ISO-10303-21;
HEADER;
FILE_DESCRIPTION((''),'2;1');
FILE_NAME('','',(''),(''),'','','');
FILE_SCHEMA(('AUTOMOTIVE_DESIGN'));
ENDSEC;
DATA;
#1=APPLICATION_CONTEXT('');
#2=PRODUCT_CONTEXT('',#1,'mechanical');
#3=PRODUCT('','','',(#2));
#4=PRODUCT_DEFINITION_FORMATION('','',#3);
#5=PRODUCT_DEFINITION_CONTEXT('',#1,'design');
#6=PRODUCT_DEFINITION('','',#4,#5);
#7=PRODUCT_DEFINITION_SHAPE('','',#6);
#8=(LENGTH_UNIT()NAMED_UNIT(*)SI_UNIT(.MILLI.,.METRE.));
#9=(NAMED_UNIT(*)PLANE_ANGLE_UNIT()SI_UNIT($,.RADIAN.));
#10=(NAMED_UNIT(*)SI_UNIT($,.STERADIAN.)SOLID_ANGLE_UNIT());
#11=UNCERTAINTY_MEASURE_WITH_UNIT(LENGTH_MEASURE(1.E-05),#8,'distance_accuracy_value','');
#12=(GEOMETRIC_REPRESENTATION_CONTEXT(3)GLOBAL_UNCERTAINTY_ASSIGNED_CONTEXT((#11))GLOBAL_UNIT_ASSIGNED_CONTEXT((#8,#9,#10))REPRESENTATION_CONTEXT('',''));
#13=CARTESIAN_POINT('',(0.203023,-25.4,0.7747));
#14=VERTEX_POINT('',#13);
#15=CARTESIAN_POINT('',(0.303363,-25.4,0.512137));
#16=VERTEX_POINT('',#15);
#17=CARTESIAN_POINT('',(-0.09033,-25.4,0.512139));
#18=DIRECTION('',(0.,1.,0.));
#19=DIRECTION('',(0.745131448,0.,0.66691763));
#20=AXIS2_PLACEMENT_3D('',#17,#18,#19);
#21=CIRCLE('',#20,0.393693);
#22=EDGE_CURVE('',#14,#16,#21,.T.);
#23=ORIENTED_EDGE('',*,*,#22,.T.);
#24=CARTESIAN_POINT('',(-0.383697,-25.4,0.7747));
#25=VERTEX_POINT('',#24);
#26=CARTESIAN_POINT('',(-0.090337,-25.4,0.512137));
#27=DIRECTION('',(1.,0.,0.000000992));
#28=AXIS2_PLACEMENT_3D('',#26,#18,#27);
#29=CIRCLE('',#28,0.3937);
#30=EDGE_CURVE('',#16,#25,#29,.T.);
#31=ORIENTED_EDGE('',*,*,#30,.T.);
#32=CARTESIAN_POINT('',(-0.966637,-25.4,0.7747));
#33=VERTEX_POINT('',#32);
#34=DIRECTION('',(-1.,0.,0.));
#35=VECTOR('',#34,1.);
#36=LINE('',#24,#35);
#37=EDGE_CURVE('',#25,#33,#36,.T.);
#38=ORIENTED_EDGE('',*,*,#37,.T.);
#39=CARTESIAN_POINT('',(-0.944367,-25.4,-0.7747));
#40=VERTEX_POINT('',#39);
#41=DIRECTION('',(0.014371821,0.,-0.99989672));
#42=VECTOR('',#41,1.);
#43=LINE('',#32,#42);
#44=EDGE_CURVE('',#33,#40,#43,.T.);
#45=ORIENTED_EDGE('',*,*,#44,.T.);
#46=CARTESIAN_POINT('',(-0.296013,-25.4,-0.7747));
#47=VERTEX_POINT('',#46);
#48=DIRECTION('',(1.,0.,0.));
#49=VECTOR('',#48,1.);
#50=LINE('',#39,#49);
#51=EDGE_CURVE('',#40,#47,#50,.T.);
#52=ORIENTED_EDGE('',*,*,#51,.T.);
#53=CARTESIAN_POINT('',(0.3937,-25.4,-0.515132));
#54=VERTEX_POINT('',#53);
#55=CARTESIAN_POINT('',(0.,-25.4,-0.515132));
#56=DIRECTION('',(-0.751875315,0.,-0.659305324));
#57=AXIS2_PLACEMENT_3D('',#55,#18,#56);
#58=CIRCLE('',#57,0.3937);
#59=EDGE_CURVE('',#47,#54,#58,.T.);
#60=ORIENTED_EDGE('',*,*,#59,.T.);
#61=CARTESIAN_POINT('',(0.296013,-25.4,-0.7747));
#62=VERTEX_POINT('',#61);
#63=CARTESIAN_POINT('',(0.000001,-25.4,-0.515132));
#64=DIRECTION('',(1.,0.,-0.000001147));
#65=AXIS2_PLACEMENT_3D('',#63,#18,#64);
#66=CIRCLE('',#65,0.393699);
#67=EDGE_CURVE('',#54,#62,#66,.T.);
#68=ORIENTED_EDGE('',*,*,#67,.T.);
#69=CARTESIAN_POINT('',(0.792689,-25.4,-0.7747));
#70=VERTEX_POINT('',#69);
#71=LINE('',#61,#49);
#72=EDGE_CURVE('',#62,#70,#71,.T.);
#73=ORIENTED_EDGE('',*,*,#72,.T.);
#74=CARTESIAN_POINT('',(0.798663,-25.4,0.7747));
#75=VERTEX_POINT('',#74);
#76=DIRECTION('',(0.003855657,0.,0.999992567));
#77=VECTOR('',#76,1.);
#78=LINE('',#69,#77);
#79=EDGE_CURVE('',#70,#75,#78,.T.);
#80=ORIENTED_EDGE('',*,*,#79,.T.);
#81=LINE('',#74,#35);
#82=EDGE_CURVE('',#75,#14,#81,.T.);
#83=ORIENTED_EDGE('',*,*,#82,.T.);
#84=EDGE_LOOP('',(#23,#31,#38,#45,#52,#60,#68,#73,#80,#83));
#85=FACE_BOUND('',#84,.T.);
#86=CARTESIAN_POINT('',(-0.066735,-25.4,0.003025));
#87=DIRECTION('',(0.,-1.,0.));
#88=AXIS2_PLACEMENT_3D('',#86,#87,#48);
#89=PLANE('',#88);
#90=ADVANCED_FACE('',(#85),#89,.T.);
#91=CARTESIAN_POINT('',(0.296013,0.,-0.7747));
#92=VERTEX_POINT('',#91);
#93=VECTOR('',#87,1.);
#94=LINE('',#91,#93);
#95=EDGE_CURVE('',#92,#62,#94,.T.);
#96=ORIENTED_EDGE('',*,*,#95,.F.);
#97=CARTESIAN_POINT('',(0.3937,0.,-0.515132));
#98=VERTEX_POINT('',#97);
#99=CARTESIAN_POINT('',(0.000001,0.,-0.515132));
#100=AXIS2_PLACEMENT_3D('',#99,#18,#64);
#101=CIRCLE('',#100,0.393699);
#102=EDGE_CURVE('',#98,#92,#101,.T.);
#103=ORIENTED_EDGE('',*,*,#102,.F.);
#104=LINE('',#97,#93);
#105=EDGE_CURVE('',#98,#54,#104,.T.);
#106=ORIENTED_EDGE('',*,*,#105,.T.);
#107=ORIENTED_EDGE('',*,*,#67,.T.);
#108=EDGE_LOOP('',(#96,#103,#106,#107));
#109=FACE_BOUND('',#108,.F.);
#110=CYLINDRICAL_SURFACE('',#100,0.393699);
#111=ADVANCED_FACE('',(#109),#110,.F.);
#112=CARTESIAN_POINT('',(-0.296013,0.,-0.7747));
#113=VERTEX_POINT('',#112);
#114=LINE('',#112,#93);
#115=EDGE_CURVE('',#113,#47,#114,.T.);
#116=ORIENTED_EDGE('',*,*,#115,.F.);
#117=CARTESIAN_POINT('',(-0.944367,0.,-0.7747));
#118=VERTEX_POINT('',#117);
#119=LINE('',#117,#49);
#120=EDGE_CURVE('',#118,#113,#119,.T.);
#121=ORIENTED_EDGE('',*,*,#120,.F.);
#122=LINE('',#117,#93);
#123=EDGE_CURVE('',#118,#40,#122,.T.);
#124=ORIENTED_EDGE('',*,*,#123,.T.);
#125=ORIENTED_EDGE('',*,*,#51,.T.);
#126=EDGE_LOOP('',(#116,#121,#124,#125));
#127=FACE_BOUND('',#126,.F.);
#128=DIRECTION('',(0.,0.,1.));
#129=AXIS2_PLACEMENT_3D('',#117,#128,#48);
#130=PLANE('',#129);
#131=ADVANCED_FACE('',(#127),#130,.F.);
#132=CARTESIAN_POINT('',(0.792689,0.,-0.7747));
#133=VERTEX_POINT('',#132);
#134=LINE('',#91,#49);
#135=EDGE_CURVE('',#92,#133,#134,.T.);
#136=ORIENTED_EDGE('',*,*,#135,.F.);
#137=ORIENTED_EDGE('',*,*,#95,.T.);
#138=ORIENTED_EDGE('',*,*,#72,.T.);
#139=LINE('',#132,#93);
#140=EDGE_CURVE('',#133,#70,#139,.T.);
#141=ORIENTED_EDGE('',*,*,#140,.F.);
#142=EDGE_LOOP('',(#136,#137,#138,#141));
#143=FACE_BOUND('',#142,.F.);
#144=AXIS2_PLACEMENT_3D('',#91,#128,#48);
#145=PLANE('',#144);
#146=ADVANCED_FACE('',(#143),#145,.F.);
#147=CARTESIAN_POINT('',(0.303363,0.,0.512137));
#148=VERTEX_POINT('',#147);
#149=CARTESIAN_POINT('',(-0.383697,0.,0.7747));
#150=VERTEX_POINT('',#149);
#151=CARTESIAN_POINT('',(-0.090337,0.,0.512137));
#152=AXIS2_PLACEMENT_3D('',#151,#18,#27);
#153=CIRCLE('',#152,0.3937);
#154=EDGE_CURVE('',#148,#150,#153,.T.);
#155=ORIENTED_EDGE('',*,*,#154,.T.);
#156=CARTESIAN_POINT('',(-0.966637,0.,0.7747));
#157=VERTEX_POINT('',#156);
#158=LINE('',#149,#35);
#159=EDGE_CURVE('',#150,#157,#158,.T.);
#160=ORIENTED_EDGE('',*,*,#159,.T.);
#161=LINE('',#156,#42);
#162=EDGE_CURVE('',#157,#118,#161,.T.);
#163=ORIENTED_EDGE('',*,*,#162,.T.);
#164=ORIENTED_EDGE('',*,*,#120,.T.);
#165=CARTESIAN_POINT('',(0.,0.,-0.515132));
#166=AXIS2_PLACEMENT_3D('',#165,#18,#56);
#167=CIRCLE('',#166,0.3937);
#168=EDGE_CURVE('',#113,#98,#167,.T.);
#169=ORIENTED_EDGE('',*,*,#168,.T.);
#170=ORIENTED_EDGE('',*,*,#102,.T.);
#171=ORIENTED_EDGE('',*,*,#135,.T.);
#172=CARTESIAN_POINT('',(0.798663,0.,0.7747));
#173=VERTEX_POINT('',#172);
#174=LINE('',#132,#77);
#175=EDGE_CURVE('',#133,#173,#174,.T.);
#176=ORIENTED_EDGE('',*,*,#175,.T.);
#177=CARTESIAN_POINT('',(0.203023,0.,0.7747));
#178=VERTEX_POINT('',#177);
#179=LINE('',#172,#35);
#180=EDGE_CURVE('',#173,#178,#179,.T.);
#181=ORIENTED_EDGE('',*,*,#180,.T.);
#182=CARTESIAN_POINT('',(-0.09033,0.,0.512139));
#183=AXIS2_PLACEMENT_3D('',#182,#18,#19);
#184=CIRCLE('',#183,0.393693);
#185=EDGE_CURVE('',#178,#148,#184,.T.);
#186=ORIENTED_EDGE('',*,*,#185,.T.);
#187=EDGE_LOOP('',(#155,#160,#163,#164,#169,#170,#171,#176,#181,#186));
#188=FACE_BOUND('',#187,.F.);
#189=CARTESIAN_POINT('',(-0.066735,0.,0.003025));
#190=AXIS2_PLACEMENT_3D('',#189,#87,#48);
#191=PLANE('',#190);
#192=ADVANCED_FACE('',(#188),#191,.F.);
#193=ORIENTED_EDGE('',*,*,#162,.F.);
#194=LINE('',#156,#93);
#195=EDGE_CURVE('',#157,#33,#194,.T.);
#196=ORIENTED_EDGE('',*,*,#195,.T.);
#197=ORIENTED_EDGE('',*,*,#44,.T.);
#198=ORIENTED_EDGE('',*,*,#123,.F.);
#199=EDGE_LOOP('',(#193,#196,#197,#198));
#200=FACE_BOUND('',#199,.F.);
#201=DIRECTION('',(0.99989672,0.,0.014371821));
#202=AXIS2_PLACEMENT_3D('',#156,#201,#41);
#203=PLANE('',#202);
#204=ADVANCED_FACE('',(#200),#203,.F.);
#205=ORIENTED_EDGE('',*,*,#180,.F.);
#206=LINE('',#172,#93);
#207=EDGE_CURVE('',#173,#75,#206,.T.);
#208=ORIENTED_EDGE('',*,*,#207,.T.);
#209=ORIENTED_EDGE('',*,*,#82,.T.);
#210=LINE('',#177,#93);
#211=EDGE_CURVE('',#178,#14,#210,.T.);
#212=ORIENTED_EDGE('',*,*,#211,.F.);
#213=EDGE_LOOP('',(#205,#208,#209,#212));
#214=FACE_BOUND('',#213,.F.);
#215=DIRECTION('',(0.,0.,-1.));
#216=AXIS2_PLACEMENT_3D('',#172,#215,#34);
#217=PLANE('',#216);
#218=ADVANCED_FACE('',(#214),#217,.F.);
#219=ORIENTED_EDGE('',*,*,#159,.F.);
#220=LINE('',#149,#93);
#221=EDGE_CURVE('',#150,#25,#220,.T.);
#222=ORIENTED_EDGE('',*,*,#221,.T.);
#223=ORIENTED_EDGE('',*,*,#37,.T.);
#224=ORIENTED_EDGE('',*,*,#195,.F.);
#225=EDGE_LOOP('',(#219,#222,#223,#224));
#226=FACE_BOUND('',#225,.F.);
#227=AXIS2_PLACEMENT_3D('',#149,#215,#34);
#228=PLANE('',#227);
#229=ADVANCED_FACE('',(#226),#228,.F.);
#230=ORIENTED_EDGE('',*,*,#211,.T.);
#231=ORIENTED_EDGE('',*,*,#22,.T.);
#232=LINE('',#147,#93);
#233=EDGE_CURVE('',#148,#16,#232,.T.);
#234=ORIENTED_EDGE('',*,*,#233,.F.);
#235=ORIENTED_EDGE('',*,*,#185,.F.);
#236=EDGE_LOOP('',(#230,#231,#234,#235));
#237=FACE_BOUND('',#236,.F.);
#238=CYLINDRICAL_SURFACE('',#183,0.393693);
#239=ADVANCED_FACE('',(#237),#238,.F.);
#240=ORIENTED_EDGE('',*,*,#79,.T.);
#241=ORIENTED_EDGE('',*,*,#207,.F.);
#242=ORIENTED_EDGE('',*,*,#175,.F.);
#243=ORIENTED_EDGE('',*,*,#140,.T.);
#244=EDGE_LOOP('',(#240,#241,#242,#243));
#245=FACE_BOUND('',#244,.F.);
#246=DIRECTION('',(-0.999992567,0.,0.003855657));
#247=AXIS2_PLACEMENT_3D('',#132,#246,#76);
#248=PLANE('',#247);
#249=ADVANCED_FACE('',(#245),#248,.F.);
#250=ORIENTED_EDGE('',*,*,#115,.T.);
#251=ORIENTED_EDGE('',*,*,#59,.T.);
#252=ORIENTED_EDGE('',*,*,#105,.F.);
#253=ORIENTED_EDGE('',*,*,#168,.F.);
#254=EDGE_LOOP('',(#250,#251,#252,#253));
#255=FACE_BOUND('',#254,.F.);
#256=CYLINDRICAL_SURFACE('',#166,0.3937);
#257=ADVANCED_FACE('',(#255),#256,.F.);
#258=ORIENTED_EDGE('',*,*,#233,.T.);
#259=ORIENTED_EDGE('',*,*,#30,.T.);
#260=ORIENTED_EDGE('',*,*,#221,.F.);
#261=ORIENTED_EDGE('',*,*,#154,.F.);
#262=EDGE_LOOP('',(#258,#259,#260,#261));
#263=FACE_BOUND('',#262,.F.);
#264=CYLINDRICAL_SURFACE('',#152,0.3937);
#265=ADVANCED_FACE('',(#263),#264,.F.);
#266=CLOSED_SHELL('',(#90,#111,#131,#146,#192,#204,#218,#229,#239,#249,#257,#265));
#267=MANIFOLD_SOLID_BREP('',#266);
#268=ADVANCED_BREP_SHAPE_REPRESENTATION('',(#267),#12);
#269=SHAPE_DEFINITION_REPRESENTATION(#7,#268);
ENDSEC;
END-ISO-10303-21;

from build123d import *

# Parameters (mm, degrees)
F1_DEPTH = 25.4


with BuildPart() as f1:
    # F0 (on Front) → F1 (new body)
    with BuildSketch(Plane.XZ):
        with BuildLine():
            ThreePointArc((0.203023, 0.7747), (0.277424, 0.652678), (0.303363, 0.512137))
            ThreePointArc((0.303363, 0.512137), (-0.230878, 0.144376), (-0.383697, 0.7747))
            Line((-0.383697, 0.7747), (-0.966637, 0.7747))
            Line((-0.966637, 0.7747), (-0.944367, -0.7747))
            Line((-0.944367, -0.7747), (-0.296013, -0.7747))
            ThreePointArc((-0.296013, -0.7747), (-0.138671, -0.146662), (0.3937, -0.515132))
            ThreePointArc((0.3937, -0.515132), (0.36847, -0.653802), (0.296013, -0.7747))
            Line((0.296013, -0.7747), (0.792689, -0.7747))
            Line((0.792689, -0.7747), (0.798663, 0.7747))
            Line((0.798663, 0.7747), (0.203023, 0.7747))
        make_face()
    extrude(amount=F1_DEPTH)


solid = f1.part
